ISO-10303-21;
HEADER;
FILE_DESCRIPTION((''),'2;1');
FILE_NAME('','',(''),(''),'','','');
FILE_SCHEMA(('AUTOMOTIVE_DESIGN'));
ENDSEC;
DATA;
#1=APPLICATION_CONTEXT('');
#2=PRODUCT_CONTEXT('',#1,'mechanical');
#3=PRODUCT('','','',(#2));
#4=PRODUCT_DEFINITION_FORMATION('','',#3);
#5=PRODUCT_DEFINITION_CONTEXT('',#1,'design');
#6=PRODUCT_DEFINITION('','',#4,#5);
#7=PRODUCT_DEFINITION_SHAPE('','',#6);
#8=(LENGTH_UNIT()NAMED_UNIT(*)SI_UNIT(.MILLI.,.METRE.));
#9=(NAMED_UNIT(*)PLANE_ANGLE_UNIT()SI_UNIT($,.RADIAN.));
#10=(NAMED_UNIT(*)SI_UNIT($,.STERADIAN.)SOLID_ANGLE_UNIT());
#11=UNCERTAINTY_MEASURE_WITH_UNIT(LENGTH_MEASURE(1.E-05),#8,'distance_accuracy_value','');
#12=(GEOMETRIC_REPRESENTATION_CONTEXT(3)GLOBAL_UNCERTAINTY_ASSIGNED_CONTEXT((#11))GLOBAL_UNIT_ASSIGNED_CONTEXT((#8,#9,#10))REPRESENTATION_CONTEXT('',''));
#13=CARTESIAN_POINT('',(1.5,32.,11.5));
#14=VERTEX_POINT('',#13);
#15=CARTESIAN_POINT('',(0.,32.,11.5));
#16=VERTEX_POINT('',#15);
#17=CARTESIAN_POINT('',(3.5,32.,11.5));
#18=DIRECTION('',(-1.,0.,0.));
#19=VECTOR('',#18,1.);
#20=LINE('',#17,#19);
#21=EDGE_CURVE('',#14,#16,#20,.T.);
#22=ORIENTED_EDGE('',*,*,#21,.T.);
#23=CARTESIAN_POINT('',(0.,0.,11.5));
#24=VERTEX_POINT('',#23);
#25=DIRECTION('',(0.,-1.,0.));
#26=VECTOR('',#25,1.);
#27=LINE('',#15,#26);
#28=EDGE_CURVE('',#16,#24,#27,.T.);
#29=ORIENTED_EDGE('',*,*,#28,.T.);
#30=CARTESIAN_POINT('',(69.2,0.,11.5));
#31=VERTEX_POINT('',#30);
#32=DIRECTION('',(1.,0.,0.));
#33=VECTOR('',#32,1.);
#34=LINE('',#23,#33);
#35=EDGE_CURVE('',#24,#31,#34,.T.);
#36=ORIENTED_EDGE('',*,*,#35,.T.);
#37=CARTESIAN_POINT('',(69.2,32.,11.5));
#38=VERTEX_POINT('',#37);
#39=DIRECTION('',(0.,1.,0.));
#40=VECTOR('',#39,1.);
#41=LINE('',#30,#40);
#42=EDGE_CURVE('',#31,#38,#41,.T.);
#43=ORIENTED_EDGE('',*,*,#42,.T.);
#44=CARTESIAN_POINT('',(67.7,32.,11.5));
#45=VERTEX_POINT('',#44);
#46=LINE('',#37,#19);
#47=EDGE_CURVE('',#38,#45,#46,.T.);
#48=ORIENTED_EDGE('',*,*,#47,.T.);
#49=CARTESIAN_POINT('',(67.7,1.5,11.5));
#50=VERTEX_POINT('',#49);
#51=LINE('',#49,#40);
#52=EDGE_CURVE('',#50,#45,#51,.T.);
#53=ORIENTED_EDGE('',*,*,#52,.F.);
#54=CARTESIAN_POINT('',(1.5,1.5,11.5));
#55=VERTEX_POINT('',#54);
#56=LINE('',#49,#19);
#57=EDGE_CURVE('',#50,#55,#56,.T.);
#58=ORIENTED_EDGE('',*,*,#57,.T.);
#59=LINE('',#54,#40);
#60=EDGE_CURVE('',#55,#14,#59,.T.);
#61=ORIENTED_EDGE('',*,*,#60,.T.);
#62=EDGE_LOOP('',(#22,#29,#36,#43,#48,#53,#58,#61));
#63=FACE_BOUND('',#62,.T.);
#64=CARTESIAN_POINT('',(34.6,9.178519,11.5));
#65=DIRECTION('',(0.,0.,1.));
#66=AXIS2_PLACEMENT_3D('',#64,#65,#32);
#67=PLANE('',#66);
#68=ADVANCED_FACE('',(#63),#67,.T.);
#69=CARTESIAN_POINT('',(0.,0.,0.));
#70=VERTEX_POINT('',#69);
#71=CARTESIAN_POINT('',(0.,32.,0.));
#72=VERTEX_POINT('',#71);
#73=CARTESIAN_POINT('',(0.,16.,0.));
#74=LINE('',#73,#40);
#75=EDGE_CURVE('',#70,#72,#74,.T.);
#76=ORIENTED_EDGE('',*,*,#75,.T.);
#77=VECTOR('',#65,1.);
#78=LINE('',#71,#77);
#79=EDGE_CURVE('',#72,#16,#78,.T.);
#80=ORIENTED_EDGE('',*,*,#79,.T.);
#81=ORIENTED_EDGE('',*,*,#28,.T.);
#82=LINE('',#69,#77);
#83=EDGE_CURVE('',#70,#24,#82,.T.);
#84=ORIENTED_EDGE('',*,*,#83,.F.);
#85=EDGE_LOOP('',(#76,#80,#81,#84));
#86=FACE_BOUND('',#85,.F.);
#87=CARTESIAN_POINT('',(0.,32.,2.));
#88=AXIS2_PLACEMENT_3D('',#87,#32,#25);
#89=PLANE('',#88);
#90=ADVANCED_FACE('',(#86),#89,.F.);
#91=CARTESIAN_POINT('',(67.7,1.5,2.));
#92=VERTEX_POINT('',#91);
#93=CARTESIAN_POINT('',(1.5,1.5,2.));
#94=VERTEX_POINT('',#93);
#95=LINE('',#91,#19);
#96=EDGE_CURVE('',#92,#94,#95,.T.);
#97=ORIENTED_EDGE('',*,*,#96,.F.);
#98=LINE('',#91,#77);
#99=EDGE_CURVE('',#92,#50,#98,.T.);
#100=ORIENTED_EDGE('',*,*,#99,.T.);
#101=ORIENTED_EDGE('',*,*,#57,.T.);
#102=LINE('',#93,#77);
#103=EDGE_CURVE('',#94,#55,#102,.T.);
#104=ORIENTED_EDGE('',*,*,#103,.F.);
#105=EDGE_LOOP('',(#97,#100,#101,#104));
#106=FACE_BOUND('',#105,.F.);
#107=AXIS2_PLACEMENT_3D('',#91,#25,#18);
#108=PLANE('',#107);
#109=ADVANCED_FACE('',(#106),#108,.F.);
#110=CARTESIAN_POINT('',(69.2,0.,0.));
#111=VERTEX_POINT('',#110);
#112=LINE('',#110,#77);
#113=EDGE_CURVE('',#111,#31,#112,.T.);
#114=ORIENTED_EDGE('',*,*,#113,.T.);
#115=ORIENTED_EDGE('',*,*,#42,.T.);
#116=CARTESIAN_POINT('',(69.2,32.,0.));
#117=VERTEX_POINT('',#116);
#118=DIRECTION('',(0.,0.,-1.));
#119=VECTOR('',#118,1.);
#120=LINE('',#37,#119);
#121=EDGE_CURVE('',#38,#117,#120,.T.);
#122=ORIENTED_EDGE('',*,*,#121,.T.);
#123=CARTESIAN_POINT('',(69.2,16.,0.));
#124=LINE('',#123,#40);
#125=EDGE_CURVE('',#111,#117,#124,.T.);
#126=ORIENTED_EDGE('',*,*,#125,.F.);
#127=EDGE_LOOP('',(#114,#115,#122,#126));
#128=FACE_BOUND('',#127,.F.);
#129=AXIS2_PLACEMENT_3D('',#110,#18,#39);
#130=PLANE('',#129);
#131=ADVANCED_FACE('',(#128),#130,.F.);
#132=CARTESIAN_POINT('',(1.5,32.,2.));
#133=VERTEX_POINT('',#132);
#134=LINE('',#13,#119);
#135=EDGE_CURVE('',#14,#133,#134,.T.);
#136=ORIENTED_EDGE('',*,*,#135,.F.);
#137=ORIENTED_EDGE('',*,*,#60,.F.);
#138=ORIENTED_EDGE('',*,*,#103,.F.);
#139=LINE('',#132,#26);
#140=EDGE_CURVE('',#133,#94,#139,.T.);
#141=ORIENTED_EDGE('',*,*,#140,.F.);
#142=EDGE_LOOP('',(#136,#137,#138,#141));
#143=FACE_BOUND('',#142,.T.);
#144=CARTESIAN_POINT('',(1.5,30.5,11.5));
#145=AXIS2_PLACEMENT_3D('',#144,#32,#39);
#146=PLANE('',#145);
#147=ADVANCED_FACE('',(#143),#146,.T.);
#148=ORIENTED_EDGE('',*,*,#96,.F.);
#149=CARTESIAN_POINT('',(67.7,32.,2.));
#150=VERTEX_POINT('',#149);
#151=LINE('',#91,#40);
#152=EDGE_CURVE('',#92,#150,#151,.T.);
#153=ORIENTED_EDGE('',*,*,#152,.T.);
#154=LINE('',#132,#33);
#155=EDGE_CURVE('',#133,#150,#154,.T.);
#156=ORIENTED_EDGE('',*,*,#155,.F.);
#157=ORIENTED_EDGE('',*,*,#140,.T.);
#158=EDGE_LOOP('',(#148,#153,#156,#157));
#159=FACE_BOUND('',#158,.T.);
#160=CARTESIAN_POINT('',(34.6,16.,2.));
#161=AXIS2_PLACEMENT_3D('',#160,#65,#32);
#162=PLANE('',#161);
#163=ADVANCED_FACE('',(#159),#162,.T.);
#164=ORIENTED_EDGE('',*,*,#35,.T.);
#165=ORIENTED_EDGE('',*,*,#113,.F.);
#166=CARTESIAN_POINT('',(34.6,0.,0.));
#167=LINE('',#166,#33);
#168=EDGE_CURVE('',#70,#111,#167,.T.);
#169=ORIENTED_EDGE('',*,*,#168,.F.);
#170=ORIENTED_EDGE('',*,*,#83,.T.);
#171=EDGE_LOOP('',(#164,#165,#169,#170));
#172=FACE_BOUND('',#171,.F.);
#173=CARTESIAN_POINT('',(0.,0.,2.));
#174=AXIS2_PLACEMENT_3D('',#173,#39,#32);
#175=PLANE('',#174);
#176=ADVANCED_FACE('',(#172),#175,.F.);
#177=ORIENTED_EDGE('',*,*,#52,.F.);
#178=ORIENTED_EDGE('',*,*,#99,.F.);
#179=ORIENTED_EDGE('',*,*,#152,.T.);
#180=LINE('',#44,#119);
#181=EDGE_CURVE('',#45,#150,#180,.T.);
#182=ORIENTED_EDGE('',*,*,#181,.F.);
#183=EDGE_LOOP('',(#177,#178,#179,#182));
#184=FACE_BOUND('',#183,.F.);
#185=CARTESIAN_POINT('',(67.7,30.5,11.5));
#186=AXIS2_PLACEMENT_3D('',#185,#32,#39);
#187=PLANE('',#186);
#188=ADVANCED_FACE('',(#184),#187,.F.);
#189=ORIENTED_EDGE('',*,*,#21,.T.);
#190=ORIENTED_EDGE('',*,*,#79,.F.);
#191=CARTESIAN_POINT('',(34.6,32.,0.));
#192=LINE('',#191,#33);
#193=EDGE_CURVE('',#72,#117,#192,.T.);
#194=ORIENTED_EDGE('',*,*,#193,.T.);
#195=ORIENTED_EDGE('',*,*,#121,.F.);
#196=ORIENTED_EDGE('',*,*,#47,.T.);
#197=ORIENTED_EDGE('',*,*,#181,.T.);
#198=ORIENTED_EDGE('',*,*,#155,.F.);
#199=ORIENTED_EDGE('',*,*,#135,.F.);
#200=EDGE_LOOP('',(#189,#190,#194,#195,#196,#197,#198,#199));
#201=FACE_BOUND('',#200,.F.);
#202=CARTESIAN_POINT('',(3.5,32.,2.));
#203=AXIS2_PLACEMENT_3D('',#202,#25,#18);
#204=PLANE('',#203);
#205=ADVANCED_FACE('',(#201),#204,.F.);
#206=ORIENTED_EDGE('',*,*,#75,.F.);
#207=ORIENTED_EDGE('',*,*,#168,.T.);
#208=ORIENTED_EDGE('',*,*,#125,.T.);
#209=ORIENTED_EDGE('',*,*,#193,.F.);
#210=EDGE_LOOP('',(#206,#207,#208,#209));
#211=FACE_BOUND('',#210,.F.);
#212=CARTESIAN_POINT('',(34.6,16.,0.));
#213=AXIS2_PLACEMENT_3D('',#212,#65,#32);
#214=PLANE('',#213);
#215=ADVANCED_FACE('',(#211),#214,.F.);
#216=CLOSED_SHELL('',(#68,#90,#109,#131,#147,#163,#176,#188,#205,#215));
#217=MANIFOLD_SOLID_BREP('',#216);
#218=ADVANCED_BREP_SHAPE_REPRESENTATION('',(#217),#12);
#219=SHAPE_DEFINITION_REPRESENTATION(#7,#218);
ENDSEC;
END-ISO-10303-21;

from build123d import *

# Parameters (mm, degrees)
F0_W     = 69.2
F0_H     = 32
F1_DEPTH = 2
F3_DEPTH = 9.5
F4_W     = 66.2
F4_H     = 1.5
F5_DEPTH = 9.5


with BuildPart() as f1:
    # F0 (on Top) → F1 (new body)
    with BuildSketch(Plane.XY):
        with Locations((34.6, 16)):
            Rectangle(F0_W, F0_H)
    extrude(amount=F1_DEPTH)

    # F2 (on face) → F3 (join)
    with BuildSketch(Plane.XY.offset(2)):
        Polygon((3.5, 32), (0, 32), (0, 0), (69.2, 0), (69.2, 32), (65.7, 32), (65.7, 30.5), (67.7, 30.5), (67.7, 1.5), (1.5, 1.5), (1.5, 30.5), (3.5, 30.5), align=None)
    extrude(amount=F3_DEPTH)

    # F4 (on face) → F5 (cut)
    with BuildSketch(Plane.XY.offset(11.5)):
        with Locations((34.6, 31.25)):
            Rectangle(F4_W, F4_H)
    extrude(amount=-F5_DEPTH, mode=Mode.SUBTRACT)


solid = f1.part
